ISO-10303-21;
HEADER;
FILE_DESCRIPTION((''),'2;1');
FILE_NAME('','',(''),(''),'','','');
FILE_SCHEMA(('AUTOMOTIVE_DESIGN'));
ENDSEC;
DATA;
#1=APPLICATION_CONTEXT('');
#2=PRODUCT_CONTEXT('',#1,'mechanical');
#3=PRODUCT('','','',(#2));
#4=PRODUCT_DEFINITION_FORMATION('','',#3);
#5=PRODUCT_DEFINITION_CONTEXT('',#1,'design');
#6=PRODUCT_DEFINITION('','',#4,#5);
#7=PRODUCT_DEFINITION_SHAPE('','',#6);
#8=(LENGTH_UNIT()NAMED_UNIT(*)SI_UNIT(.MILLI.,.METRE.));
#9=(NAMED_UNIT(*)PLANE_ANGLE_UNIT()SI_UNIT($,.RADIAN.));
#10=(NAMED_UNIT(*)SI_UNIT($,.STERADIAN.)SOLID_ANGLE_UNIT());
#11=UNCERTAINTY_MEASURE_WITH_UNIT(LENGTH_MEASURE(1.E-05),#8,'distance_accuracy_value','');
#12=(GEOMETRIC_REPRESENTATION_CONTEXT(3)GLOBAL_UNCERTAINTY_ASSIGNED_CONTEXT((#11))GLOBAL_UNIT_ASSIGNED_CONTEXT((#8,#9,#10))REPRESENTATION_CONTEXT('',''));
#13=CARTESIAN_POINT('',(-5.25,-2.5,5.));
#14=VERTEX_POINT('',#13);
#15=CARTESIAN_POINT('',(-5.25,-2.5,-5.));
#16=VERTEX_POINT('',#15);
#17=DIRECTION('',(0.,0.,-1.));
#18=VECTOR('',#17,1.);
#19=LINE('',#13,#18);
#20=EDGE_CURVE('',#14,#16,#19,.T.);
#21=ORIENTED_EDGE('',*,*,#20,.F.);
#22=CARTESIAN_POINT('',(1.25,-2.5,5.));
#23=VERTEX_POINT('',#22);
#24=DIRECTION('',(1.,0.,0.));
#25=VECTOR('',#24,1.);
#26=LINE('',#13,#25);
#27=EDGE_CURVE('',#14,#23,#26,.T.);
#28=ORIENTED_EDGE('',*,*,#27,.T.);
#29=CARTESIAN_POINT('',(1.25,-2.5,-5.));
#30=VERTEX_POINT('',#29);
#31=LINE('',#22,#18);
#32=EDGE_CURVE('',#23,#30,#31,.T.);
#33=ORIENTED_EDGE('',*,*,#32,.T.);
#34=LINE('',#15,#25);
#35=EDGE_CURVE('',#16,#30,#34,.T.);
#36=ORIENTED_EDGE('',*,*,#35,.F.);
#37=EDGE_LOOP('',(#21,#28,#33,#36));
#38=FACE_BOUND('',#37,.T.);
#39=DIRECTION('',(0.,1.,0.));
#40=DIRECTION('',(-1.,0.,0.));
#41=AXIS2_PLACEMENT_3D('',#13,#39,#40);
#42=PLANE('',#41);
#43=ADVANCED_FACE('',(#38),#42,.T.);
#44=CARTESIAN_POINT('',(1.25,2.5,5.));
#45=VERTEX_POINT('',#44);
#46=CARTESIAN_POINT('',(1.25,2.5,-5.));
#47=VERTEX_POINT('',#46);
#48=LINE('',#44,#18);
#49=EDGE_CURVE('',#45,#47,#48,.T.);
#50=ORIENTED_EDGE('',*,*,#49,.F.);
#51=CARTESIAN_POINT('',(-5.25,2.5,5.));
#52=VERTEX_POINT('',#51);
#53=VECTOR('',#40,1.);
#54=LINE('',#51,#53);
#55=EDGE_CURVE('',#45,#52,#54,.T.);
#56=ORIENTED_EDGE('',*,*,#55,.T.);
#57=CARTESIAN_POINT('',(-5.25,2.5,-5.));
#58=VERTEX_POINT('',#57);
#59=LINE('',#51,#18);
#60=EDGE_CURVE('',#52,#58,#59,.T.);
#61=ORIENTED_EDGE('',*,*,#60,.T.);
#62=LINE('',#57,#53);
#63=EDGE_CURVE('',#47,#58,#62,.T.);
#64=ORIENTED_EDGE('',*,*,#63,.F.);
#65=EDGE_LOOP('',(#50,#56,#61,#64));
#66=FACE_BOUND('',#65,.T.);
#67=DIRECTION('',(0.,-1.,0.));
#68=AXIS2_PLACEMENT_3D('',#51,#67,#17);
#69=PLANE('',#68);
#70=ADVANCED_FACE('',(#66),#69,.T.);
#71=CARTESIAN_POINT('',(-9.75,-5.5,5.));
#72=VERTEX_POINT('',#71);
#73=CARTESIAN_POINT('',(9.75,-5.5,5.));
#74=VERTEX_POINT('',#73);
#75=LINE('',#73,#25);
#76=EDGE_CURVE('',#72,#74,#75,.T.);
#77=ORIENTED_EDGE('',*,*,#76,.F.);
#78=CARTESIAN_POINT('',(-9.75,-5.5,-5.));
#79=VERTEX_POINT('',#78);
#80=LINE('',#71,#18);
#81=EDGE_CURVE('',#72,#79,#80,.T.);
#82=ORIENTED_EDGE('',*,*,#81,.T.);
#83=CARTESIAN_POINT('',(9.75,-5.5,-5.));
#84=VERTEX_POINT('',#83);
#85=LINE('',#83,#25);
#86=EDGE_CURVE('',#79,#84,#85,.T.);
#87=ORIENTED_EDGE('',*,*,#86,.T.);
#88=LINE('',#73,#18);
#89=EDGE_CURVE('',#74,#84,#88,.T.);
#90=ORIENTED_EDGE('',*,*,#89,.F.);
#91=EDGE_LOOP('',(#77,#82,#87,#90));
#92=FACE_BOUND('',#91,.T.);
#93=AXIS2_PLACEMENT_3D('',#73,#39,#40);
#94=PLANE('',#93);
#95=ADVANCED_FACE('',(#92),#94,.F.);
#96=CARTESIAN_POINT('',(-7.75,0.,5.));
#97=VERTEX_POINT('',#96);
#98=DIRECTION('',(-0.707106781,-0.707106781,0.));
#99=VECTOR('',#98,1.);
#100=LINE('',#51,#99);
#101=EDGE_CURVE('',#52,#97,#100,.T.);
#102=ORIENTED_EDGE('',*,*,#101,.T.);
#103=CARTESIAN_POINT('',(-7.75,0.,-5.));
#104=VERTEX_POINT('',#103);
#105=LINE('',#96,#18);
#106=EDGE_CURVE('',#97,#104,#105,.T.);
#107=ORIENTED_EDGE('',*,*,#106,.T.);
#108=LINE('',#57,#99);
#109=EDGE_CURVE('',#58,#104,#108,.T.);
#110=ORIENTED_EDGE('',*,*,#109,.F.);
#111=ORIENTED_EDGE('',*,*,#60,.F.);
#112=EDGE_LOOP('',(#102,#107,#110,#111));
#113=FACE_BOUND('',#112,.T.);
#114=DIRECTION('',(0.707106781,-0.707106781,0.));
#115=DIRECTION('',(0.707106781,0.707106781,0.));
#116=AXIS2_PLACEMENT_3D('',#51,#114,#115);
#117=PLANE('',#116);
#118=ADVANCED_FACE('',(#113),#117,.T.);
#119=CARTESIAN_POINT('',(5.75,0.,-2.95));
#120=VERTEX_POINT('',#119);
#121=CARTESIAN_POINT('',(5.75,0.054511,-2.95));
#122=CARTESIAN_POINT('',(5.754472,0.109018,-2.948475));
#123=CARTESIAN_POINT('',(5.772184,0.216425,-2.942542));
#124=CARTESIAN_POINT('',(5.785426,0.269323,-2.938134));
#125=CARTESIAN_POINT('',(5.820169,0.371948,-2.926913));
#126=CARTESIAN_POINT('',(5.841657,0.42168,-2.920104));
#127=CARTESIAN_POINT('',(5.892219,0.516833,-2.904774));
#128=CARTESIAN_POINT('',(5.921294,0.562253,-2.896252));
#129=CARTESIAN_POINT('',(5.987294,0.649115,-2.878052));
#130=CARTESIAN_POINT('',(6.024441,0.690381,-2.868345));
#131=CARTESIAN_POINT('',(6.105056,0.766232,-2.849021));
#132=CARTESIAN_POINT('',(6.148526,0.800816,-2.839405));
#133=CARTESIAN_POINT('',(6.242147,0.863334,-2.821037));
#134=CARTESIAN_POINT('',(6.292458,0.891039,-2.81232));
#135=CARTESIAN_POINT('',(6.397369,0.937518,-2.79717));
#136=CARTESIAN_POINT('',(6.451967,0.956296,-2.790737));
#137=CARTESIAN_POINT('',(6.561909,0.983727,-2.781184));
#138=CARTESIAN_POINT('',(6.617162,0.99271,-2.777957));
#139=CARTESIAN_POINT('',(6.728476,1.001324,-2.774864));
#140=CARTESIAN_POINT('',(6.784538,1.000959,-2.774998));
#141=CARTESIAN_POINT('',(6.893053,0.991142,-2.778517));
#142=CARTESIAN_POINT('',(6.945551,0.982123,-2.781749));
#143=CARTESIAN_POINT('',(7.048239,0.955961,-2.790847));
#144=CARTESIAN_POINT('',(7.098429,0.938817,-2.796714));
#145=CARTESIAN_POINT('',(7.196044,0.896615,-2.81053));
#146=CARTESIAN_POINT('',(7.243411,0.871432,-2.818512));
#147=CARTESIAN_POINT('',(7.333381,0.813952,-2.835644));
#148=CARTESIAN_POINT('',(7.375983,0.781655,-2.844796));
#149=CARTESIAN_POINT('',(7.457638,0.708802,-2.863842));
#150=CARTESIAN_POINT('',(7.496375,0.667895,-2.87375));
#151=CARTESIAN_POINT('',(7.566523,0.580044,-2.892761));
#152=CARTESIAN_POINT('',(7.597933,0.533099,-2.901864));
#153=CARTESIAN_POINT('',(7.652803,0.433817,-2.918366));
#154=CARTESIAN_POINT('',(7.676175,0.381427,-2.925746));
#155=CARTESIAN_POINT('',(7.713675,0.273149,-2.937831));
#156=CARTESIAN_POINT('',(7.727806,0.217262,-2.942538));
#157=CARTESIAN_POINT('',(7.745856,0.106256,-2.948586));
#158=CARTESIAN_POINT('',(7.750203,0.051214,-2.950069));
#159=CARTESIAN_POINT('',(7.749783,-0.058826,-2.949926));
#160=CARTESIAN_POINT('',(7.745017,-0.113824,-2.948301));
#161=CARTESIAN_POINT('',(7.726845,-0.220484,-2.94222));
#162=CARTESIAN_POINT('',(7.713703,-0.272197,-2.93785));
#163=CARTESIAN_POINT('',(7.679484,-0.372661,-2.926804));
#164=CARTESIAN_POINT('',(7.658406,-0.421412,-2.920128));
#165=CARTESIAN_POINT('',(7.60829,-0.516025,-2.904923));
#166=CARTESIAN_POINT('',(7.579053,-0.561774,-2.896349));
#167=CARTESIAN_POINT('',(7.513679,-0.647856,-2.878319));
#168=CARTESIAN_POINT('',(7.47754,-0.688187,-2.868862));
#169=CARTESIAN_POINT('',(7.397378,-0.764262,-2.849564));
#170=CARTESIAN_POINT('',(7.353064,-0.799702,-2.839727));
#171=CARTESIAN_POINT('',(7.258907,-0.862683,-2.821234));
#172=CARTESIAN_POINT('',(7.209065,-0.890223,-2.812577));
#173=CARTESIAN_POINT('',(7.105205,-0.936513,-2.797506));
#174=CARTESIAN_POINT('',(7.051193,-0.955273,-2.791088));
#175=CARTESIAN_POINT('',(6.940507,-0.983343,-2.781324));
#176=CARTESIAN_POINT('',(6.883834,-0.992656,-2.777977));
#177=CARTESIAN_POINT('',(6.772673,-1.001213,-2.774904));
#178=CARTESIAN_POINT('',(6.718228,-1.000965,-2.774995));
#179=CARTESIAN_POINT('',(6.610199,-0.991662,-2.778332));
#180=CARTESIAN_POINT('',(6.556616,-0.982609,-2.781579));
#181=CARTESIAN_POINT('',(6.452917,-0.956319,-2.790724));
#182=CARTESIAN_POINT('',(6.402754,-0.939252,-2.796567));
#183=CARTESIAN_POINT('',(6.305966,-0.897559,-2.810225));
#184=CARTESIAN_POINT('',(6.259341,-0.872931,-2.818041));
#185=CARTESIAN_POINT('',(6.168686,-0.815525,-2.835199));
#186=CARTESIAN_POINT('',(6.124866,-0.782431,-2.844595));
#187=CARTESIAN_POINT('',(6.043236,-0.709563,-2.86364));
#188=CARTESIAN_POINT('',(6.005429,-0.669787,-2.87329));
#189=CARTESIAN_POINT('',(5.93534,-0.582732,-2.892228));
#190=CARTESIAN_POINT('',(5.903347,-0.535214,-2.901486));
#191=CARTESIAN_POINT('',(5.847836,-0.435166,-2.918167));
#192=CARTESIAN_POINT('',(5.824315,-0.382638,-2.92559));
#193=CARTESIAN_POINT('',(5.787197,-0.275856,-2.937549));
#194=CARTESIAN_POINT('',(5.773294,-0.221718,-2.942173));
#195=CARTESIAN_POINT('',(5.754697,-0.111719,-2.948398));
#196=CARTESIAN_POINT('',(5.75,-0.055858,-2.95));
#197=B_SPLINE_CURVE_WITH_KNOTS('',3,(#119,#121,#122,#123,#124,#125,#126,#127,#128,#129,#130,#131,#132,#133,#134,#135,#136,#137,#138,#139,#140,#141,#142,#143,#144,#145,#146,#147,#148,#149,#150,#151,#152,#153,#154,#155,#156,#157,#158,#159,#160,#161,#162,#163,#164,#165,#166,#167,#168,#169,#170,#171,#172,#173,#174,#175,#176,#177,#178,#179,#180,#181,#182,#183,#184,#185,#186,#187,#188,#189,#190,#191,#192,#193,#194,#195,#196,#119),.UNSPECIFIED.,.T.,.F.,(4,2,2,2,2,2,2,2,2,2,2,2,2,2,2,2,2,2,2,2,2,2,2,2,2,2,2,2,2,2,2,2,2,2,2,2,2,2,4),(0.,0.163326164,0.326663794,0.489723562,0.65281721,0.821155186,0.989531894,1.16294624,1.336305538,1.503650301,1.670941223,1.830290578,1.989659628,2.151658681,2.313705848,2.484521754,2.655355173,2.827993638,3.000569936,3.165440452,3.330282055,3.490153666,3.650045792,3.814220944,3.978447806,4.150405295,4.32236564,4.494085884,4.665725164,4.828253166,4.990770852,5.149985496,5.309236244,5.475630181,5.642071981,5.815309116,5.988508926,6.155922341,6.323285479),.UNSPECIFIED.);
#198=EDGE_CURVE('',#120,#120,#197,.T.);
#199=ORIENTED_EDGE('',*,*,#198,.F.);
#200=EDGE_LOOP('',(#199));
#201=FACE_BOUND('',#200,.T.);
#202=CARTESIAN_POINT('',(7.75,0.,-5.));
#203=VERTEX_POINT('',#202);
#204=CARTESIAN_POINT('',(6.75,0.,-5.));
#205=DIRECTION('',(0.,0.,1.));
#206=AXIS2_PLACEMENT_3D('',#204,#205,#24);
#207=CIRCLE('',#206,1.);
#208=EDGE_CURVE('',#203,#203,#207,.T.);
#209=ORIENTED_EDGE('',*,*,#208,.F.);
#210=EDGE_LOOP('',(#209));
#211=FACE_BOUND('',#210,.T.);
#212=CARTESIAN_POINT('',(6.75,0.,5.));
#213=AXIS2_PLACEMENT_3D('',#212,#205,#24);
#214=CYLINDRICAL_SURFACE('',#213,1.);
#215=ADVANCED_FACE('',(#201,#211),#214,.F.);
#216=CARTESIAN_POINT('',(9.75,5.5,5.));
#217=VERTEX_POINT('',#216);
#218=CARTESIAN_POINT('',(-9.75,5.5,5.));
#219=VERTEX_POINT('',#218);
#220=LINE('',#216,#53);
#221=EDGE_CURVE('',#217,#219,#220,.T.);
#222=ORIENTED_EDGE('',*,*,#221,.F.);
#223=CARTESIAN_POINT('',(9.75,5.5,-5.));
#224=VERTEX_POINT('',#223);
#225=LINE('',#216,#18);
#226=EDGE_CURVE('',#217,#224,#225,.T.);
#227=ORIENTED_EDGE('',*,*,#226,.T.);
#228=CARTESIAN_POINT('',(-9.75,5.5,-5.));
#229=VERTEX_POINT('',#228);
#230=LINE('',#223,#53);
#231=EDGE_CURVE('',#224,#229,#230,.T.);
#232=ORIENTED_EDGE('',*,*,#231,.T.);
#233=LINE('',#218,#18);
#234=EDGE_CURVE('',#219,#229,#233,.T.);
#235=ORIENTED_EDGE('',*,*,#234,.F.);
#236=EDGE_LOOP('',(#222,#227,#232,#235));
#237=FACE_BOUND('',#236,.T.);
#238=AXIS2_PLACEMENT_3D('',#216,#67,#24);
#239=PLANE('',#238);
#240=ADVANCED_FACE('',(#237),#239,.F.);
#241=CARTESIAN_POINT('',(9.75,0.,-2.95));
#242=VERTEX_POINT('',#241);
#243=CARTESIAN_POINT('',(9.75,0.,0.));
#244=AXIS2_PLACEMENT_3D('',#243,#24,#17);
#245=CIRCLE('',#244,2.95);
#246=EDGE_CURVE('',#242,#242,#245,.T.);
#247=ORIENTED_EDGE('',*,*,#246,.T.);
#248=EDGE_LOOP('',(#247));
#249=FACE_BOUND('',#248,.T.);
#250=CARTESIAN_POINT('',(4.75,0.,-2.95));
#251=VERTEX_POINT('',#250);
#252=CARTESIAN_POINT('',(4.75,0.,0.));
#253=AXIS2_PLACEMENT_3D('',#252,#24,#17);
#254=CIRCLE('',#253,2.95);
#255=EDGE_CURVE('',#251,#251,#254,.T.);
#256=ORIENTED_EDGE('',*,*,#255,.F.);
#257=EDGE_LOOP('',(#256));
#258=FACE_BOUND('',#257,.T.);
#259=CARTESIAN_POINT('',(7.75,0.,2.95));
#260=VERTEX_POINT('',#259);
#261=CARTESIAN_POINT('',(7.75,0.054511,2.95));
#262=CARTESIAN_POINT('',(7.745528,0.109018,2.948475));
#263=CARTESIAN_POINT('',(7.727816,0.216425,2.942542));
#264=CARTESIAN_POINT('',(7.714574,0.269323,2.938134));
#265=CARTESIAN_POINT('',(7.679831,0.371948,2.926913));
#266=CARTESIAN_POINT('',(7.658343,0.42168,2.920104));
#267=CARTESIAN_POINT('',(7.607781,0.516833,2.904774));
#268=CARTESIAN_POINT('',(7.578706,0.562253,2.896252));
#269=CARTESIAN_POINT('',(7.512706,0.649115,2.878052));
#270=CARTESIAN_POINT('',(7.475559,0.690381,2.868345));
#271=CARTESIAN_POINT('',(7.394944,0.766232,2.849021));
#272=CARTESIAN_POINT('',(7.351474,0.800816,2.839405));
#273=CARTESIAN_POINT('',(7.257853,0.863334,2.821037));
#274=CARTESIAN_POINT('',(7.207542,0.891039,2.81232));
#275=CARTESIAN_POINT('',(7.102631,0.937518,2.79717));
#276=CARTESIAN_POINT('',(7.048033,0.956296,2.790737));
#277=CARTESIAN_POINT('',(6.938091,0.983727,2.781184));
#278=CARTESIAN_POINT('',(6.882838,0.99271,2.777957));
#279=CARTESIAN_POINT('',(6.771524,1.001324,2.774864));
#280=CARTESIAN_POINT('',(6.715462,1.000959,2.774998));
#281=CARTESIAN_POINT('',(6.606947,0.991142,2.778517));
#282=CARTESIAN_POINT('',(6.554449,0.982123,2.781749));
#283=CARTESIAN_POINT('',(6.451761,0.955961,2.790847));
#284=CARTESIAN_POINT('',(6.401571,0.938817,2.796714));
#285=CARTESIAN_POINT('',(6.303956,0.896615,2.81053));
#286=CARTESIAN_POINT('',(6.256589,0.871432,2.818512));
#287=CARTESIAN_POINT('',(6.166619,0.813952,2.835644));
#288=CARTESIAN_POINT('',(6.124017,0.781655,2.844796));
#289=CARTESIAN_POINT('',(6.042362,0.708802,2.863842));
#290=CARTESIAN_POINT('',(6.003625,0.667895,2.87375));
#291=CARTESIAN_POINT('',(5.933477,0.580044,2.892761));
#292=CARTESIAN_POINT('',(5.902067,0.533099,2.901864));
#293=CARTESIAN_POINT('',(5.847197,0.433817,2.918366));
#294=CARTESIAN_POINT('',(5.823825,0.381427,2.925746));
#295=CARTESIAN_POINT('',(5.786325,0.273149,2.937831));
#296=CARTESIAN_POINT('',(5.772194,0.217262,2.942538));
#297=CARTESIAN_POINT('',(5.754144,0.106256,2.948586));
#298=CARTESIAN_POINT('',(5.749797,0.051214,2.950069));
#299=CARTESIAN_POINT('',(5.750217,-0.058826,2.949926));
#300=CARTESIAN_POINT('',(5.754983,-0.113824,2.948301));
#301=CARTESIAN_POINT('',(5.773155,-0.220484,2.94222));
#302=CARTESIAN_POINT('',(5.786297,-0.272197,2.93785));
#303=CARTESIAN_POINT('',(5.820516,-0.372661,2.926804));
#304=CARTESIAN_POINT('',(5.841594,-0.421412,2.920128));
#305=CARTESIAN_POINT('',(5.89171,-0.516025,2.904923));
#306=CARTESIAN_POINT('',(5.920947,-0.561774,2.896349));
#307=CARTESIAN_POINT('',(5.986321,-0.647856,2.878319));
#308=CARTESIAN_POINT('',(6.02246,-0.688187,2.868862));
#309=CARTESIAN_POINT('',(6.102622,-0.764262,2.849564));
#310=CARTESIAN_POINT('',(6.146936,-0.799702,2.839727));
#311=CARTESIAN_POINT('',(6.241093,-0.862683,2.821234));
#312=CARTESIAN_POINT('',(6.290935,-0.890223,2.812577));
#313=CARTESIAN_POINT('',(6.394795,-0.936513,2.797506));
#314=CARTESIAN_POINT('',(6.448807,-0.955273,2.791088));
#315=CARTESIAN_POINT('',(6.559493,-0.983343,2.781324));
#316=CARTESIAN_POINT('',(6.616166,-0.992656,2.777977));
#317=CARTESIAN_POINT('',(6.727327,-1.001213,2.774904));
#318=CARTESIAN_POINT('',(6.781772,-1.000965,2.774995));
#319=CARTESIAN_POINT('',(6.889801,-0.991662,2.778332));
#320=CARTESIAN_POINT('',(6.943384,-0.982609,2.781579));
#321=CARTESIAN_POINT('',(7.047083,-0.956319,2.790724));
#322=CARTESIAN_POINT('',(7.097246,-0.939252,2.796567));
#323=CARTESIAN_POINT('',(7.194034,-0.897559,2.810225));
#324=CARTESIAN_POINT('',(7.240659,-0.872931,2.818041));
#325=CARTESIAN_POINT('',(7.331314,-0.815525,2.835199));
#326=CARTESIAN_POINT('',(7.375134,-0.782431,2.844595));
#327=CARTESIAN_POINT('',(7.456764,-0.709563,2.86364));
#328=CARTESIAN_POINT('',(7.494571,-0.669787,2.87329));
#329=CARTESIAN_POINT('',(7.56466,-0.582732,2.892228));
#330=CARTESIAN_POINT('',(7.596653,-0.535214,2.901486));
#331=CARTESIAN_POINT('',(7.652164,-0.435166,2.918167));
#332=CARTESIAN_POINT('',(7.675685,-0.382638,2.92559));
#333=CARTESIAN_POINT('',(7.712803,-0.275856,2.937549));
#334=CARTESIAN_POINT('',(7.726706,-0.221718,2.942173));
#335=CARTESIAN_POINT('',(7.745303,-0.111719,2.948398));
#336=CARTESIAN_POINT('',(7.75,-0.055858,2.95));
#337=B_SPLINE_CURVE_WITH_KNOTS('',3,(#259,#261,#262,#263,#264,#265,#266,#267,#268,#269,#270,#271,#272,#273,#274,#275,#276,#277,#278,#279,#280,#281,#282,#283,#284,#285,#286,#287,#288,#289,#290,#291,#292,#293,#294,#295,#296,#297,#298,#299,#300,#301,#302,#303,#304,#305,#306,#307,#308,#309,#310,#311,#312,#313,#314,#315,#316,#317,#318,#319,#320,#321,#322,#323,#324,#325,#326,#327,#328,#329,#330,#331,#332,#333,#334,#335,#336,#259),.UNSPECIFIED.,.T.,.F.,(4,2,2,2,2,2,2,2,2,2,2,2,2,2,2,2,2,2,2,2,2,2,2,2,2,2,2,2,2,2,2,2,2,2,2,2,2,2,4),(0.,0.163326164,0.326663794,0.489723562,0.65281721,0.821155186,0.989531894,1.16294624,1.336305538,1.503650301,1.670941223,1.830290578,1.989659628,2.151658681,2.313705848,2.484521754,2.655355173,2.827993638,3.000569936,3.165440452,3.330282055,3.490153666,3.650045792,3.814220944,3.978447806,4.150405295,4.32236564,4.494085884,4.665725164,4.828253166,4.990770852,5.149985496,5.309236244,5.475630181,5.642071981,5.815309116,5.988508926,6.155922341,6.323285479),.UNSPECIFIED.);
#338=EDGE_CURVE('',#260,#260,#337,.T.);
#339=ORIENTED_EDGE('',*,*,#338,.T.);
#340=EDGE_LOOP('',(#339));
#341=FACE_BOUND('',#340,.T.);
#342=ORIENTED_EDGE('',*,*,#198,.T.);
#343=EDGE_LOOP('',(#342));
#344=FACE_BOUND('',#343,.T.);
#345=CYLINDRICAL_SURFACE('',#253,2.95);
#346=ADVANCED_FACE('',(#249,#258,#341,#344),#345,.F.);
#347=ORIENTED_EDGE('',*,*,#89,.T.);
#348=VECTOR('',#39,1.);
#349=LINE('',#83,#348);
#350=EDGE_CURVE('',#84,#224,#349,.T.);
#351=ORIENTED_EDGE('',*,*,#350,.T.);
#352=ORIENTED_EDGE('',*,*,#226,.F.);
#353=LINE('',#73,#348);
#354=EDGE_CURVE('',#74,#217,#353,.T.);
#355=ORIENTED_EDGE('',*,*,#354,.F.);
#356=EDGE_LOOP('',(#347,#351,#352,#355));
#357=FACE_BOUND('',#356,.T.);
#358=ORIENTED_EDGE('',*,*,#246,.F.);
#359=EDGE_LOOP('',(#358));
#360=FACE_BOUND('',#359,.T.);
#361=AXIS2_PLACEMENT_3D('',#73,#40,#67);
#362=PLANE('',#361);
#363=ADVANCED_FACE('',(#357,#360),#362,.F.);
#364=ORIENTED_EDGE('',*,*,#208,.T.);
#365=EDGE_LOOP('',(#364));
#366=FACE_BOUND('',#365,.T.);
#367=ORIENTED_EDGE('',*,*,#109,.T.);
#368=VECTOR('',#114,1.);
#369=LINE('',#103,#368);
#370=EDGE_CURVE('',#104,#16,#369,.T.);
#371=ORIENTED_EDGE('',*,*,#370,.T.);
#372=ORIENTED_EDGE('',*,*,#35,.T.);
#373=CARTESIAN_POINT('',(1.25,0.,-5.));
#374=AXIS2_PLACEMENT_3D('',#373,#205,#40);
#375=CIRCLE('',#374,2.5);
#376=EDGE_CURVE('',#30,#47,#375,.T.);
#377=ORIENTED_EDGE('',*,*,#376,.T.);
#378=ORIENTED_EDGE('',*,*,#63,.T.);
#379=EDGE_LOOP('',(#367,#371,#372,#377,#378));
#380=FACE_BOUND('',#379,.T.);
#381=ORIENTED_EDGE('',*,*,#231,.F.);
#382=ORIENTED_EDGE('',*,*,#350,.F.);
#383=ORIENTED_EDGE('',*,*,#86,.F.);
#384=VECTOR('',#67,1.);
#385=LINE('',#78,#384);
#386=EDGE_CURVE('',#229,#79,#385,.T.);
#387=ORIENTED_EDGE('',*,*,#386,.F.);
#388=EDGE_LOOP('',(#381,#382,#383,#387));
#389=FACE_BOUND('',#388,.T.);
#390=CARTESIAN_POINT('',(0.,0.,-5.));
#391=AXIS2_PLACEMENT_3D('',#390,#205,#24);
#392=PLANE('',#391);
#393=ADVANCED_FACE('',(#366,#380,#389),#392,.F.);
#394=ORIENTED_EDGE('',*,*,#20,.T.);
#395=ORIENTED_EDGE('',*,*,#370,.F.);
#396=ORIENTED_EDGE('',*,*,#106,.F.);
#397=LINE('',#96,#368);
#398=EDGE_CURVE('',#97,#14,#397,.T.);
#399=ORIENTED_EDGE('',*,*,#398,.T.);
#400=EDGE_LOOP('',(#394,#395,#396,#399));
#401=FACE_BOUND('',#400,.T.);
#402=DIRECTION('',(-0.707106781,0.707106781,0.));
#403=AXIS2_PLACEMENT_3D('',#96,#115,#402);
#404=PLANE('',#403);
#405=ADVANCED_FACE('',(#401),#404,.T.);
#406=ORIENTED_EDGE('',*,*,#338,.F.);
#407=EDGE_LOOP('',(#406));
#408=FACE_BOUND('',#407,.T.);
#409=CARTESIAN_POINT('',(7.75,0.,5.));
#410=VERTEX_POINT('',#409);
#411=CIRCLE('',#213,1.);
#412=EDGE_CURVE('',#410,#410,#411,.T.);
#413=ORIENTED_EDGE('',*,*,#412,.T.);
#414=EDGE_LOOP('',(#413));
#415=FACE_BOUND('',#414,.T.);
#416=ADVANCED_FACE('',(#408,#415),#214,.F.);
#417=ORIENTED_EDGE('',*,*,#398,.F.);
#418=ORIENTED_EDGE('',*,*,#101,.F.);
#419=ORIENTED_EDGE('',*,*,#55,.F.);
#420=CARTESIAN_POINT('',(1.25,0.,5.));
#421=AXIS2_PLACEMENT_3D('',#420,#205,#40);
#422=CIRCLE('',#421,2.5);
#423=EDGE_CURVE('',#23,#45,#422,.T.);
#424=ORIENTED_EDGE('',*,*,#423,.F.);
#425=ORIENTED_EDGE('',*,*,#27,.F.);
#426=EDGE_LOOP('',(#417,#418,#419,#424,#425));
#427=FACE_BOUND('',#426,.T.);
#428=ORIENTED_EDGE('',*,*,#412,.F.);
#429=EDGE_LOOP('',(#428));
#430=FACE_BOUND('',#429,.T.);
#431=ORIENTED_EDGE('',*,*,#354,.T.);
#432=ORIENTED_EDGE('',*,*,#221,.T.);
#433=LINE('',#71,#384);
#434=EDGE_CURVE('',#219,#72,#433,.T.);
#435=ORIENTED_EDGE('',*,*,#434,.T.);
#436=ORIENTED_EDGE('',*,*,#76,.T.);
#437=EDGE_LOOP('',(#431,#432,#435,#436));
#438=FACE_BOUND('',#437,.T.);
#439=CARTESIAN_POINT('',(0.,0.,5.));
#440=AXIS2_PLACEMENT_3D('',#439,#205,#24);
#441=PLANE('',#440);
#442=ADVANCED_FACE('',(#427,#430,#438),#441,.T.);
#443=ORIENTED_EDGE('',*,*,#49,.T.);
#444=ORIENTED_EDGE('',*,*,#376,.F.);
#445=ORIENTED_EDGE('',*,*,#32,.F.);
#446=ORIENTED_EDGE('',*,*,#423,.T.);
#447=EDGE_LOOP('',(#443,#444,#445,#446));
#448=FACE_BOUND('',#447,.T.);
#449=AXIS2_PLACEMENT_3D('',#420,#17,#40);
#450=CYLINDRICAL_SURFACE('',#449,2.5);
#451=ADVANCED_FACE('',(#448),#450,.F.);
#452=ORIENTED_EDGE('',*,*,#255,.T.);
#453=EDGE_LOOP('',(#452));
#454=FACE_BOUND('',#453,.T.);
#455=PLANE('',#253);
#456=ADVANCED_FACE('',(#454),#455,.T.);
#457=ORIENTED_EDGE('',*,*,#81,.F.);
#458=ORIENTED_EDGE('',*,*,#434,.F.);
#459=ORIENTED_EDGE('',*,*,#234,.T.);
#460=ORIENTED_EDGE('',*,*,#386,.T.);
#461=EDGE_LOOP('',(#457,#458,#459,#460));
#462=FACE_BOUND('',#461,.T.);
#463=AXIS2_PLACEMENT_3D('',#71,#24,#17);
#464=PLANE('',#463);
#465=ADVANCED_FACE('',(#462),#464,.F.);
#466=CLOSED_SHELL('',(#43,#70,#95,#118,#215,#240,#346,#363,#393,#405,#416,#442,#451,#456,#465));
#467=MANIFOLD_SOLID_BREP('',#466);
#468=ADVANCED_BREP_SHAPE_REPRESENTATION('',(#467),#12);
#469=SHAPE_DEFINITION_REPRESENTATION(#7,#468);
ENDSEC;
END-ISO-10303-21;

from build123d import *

# Parameters (mm, degrees)
SKETCH_1_W            = 19.5
SKETCH_1_H            = 11
EXTRUDE_1_DEPTH       = 5
SKETCH_2_R            = 2.95
CUT_EXTRUDE_1_DEPTH   = 5
HOLE_WIZARD_2_0_2_1_D = 2


with BuildPart() as part:
    # 草图1 → 凸台-拉伸1 (new, symmetric)
    with BuildSketch(Plane.XY):
        Rectangle(SKETCH_1_W, SKETCH_1_H)
        with BuildLine():
            Line((-5.25, 2.5), (-7.75, 0))
            Line((-7.75, 0), (-5.25, -2.5))
            Line((-5.25, -2.5), (1.25, -2.5))
            ThreePointArc((1.25, -2.5), (3.75, 0), (1.25, 2.5))
            Line((1.25, 2.5), (-5.25, 2.5))
        make_face(mode=Mode.SUBTRACT)
    extrude(amount=EXTRUDE_1_DEPTH, both=True)

    # 草图2 → 切除-拉伸1 (cut)
    with BuildSketch(Plane(origin=(9.75, 0, 0), x_dir=(0, 0, -1), z_dir=(1, 0, 0))):
        Circle(SKETCH_2_R)
    extrude(amount=-CUT_EXTRUDE_1_DEPTH, mode=Mode.SUBTRACT)

    # Ø2.0 (2) 直径孔1 (through all)
    with Locations(Plane.XY.offset(5)):
        with Locations((6.75, 0)):
            Hole(HOLE_WIZARD_2_0_2_1_D / 2)


solid = part.part
